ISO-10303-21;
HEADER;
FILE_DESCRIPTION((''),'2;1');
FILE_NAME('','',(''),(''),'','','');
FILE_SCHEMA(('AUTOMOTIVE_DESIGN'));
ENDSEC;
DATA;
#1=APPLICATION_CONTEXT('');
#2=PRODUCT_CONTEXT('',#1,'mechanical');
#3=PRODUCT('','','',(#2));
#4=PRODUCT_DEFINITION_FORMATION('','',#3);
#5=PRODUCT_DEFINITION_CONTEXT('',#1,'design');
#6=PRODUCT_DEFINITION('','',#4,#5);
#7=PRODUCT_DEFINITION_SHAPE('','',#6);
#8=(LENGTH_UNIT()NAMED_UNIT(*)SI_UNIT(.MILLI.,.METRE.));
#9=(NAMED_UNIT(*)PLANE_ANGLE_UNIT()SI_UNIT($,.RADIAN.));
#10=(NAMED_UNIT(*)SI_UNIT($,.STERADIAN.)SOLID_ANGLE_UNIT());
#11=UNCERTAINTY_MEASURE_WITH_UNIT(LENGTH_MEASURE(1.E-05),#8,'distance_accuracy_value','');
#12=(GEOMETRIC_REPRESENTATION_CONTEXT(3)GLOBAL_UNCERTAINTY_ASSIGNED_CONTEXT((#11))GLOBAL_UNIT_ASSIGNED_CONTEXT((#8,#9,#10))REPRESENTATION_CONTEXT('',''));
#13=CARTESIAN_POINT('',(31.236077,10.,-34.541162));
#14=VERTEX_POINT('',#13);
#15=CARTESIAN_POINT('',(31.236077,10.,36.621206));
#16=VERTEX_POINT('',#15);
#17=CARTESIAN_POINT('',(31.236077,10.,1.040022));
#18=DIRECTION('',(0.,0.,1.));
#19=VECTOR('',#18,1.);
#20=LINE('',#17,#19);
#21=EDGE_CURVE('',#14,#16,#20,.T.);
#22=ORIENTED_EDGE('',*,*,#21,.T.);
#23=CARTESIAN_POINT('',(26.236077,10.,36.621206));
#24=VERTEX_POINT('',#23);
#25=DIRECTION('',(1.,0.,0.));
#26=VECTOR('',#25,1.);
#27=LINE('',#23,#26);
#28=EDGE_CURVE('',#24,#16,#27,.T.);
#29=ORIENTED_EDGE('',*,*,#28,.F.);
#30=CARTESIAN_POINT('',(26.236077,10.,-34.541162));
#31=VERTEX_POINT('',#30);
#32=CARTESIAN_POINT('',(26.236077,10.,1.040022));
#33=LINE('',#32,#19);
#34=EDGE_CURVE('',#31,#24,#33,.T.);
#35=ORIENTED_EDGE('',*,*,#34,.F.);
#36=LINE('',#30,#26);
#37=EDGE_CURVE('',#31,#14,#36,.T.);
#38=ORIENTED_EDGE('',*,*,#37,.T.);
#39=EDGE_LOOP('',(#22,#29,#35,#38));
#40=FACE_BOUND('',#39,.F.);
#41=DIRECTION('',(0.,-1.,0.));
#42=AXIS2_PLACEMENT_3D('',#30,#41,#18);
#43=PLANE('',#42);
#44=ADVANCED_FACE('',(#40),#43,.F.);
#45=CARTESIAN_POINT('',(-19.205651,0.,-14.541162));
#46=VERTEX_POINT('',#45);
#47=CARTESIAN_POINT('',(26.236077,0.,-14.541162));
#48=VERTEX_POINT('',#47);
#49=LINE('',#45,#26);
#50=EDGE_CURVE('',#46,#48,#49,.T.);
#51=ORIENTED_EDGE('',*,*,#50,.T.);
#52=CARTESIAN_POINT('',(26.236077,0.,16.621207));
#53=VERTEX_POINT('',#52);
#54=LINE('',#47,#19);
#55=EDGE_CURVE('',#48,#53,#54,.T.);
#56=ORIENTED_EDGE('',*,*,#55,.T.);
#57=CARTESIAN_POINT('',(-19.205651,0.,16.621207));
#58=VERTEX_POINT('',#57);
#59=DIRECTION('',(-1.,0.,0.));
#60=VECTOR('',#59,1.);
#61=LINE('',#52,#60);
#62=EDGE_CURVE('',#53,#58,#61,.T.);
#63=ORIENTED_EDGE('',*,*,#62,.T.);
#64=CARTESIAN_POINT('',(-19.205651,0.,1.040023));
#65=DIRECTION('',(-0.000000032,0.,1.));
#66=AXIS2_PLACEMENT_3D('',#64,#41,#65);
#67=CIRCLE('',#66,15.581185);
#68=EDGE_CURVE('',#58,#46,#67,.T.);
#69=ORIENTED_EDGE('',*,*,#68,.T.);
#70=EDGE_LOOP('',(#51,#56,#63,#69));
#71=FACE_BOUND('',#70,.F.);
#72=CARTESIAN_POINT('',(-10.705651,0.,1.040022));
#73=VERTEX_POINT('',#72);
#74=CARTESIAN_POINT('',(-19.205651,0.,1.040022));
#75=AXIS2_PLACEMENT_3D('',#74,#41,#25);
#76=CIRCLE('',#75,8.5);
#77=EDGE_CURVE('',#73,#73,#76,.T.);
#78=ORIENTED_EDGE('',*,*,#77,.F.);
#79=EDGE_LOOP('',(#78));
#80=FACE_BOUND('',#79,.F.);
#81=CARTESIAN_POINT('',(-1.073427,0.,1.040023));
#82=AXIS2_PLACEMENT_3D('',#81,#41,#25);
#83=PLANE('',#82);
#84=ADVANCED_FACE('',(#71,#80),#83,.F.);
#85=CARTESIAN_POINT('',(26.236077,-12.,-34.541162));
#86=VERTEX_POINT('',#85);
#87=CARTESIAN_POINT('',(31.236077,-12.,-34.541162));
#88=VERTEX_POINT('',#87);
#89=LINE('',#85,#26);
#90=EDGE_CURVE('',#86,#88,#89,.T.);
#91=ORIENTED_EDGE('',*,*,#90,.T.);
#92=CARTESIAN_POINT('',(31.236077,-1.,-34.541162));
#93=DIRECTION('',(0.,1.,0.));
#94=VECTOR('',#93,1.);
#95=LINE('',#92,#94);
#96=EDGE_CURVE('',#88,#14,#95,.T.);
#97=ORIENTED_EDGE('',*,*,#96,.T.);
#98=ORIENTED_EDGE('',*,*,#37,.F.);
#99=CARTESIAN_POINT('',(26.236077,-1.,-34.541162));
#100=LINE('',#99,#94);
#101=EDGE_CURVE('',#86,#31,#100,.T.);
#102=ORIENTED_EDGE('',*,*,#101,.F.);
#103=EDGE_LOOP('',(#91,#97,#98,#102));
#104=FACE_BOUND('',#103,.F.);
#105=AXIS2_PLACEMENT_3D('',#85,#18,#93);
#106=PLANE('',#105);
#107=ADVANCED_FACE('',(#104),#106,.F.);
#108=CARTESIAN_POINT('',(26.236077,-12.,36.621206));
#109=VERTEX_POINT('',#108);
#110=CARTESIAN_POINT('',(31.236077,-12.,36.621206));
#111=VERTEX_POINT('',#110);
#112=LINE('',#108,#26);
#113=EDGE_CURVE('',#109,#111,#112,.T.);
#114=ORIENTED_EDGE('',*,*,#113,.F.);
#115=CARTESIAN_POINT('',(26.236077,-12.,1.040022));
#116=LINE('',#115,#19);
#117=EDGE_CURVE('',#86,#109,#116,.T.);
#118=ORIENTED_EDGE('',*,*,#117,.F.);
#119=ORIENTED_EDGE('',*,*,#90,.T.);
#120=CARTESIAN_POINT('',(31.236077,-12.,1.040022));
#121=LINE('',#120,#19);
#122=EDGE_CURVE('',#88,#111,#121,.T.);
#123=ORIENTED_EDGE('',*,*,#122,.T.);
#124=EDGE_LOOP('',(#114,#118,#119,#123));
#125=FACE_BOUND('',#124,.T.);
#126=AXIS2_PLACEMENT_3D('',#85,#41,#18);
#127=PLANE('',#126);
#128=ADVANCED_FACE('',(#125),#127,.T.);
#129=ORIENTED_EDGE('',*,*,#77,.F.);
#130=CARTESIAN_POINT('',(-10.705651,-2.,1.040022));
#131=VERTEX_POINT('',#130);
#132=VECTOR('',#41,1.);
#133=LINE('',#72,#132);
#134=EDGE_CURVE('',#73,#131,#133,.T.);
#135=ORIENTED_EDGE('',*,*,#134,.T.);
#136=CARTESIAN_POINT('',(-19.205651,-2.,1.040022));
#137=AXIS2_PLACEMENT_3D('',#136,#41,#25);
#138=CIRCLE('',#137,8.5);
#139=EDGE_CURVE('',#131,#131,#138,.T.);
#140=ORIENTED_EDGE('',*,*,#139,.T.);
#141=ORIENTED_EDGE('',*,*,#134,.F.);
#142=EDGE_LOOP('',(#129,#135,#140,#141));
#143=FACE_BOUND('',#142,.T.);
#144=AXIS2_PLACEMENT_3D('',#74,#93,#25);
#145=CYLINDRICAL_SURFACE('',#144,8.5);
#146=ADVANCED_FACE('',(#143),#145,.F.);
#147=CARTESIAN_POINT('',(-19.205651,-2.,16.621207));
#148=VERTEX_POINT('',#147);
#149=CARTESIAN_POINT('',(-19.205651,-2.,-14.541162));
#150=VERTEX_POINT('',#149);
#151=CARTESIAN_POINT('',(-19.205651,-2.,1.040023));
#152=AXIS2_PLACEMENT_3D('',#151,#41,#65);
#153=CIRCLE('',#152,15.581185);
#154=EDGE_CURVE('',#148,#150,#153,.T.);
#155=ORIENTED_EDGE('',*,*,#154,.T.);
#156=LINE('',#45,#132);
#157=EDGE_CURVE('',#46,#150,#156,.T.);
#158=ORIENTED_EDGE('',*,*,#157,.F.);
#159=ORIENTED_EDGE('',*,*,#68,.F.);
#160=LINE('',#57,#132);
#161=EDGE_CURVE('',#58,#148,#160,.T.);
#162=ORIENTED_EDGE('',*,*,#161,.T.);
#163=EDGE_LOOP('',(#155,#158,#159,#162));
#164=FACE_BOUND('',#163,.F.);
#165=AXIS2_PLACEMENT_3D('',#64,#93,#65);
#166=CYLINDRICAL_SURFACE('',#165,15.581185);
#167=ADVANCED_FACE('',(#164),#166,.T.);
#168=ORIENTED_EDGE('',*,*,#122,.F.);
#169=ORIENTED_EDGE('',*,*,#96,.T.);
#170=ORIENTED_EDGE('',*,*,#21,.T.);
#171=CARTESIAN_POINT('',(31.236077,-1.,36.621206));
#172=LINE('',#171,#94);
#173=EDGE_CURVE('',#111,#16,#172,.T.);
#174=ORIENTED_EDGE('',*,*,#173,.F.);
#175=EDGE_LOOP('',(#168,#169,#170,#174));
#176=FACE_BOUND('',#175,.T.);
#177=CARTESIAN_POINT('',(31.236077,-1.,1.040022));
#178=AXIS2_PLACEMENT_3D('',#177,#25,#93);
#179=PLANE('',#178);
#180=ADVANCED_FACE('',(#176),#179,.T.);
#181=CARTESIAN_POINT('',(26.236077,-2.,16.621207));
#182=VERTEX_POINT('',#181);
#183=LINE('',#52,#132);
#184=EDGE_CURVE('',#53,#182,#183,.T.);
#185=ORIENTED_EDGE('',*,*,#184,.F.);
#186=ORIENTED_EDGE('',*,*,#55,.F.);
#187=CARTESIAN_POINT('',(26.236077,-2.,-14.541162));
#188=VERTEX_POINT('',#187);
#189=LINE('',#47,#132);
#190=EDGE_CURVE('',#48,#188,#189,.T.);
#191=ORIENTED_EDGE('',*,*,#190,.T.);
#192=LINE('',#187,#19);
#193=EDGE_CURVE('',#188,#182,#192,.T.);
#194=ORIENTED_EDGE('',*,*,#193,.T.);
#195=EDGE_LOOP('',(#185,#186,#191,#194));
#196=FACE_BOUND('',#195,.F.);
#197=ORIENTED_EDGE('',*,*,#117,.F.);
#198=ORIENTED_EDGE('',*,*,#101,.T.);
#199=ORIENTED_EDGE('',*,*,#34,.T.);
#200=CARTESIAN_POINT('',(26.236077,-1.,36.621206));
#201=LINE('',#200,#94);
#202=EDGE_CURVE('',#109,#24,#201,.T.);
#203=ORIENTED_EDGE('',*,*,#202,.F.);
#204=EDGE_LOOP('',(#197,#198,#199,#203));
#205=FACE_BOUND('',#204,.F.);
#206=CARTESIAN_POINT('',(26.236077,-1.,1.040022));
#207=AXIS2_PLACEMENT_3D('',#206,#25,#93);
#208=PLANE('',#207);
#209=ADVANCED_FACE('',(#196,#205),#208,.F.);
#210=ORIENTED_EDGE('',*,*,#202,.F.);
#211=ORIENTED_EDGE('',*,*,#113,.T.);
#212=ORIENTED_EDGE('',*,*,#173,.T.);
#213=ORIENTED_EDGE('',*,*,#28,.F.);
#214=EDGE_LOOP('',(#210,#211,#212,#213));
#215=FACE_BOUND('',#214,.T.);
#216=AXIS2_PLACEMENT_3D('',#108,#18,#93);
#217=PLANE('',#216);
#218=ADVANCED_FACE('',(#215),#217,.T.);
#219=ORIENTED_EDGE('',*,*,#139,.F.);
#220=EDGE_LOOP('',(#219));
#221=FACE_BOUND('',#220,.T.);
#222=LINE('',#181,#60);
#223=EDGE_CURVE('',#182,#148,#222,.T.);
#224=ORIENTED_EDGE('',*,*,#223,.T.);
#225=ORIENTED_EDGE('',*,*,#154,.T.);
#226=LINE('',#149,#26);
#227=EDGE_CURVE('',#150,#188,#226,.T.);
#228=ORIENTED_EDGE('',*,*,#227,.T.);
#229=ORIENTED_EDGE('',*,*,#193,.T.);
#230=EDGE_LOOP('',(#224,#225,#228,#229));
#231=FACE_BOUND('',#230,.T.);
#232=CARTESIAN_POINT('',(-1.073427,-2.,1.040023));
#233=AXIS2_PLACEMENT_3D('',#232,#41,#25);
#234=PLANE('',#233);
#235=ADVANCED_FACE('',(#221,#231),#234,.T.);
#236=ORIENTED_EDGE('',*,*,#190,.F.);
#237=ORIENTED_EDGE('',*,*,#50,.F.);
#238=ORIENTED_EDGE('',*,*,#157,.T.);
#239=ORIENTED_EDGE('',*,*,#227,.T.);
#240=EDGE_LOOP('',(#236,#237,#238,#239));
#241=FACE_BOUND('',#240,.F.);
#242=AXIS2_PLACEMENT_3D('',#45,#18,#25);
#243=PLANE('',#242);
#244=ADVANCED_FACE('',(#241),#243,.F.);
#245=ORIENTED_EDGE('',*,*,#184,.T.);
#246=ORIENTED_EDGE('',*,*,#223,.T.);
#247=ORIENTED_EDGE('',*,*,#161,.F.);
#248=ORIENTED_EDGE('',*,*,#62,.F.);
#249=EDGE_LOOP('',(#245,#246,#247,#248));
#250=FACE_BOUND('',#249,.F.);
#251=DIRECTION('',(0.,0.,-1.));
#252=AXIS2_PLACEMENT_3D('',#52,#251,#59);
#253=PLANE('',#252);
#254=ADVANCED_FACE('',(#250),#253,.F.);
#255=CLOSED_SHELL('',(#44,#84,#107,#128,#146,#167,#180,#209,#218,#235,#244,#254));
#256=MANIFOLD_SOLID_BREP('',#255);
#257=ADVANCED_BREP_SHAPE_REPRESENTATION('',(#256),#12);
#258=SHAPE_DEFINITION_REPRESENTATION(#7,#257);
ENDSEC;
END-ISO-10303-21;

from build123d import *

# Parameters (mm, degrees)
F0_R     = 8.5
F1_DEPTH = 2
F2_W     = 22
F2_H     = 71.162369
F3_DEPTH = 5


with BuildPart() as f1:
    # F0 (on Front) → F1 (new body)
    with BuildSketch(Plane.XZ):
        with BuildLine():
            Line((26.236077, 16.621207), (-19.205651, 16.621207))
            ThreePointArc((-19.205651, 16.621207), (-34.786835, 1.040022), (-19.205651, -14.541162))
            Line((-19.205651, -14.541162), (26.236077, -14.541162))
            Line((26.236077, -14.541162), (26.236077, 16.621207))
        make_face()
        with Locations((-19.205651, 1.040022)):
            Circle(F0_R, mode=Mode.SUBTRACT)
    extrude(amount=F1_DEPTH)

    # F2 (on face) → F3 (join)
    with BuildSketch(Plane.YZ.offset(26.236077)):
        with Locations((-1, 1.040022)):
            Rectangle(F2_W, F2_H)
    extrude(amount=F3_DEPTH)


solid = f1.part
